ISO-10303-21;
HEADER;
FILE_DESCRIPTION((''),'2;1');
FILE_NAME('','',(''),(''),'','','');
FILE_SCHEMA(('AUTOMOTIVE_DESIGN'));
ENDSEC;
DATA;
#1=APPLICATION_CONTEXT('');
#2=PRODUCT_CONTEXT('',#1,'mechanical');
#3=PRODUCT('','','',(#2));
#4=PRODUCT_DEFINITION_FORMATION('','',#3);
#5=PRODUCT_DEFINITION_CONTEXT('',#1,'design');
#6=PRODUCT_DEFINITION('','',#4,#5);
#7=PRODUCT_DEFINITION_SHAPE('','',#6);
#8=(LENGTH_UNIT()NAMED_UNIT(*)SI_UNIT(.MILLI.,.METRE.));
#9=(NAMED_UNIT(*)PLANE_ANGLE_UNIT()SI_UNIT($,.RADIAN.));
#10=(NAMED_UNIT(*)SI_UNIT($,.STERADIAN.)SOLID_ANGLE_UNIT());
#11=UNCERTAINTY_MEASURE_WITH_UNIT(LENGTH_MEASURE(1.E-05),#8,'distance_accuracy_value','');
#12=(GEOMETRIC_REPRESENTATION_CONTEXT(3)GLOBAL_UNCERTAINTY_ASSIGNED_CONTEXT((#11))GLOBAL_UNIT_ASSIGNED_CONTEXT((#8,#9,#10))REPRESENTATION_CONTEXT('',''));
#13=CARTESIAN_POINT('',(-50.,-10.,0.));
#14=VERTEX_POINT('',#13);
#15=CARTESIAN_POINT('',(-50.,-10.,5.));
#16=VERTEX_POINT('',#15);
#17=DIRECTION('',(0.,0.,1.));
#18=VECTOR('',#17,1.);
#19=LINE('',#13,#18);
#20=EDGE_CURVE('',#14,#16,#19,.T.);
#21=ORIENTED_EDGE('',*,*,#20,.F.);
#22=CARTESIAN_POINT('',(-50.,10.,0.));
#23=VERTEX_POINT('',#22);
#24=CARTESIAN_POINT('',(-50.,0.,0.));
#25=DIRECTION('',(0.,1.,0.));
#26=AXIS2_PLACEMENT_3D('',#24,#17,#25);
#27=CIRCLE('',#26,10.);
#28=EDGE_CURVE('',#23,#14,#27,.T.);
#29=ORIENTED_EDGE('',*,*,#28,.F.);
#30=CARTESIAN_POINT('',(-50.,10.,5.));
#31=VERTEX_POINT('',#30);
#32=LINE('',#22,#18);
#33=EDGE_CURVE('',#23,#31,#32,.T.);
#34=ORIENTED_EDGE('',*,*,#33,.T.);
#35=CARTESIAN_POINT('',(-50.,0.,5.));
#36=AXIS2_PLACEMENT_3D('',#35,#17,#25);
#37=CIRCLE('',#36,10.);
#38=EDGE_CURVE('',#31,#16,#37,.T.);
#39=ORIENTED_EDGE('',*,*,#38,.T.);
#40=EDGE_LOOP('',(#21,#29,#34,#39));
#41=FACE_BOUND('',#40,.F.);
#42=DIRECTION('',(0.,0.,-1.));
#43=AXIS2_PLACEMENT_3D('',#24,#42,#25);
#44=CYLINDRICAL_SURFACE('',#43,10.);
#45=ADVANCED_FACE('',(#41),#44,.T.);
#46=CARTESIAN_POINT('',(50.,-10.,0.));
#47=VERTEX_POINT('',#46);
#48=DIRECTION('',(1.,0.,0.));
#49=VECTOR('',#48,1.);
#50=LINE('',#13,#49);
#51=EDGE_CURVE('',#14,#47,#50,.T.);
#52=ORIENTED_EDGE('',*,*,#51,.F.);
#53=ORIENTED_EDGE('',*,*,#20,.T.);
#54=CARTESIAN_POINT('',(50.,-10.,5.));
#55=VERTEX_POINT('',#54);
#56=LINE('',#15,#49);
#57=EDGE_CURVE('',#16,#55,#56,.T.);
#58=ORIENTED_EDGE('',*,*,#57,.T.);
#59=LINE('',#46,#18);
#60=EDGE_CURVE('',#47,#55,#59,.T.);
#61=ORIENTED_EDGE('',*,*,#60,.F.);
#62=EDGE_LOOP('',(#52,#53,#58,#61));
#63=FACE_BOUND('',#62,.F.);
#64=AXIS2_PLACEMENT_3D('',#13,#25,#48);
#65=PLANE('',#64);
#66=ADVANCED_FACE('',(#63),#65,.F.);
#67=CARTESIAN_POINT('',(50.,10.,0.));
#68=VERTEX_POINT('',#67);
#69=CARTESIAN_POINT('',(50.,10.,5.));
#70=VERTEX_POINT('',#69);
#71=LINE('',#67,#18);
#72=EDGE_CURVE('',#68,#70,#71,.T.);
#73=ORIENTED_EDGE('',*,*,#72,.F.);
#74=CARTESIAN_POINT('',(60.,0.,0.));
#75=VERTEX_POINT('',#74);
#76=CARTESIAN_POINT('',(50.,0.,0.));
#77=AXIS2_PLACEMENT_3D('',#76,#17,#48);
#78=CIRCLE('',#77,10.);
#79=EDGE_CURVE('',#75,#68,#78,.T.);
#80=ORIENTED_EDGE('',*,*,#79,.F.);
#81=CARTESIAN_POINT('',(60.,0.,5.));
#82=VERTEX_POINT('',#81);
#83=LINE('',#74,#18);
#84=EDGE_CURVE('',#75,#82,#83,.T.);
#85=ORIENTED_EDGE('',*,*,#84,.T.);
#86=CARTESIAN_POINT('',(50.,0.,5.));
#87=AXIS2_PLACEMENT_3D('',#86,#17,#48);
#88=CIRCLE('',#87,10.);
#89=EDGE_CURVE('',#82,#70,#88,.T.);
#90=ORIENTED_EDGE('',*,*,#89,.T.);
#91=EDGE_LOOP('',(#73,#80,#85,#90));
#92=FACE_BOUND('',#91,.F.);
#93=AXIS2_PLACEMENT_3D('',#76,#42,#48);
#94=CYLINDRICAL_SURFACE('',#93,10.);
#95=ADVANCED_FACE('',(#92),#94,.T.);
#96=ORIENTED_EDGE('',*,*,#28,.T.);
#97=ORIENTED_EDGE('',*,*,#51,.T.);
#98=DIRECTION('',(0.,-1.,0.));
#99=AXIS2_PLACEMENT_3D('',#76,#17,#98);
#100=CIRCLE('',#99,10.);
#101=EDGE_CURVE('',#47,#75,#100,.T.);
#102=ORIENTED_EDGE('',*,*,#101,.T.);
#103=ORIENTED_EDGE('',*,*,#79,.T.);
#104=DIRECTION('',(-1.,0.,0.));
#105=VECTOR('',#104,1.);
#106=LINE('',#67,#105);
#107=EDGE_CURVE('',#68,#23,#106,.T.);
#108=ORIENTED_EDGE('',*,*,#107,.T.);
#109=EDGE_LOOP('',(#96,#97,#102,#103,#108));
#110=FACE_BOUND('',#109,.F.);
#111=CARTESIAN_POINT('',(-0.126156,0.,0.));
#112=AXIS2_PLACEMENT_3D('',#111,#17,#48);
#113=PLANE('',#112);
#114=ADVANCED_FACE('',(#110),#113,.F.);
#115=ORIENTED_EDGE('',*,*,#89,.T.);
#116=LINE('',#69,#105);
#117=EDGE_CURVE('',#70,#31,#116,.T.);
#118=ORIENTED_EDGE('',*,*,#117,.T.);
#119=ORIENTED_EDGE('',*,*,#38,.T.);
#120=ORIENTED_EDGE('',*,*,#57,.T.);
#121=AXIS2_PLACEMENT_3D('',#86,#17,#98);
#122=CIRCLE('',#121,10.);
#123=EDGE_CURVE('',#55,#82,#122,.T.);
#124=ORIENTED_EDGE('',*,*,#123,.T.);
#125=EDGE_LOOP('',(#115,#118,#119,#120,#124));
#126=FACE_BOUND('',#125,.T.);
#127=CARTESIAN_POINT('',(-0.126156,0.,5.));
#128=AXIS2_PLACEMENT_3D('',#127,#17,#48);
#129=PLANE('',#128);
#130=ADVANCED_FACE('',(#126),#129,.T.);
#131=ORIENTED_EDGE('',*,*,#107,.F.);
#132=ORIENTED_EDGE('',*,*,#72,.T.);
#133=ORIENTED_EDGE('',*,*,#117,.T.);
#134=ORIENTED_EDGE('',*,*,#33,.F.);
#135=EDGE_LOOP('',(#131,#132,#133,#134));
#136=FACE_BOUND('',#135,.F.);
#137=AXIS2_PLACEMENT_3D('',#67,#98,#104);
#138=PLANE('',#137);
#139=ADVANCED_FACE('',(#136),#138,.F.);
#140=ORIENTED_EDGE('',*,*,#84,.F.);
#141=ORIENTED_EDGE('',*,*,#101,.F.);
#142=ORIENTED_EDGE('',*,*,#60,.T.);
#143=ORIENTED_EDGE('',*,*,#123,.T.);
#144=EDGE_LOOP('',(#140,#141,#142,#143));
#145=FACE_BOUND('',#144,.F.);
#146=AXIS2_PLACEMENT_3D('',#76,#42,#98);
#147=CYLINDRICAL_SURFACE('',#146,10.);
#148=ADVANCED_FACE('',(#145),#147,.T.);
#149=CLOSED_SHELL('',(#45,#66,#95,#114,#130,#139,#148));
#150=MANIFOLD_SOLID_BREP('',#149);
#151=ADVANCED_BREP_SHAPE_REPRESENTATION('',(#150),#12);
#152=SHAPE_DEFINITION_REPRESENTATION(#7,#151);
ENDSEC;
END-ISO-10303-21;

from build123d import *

# Parameters (mm, degrees)
F1_DEPTH = 5


with BuildPart() as f1:
    # F0 (on Top) → F1 (new body)
    with BuildSketch(Plane.XY):
        with BuildLine():
            ThreePointArc((50, -10), (40, 0), (50, 10))
            Line((50, 10), (-50, 10))
            ThreePointArc((-50, 10), (-42.9289321881, 7.0710678119), (-40, 0))
            ThreePointArc((-40, 0), (-42.9289321881, -7.0710678119), (-50, -10))
            Line((-50, -10), (50, -10))
        make_face()
        with BuildLine():
            ThreePointArc((60, 0), (57.0710678119, 7.0710678119), (50, 10))
            Line((50, 10), (50, -10))
            ThreePointArc((50, -10), (57.0710678119, -7.0710678119), (60, 0))
        make_face()
        with BuildLine():
            Line((50, -10), (50, 10))
            ThreePointArc((50, 10), (40, 0), (50, -10))
        make_face()
        with BuildLine():
            ThreePointArc((-40, 0), (-42.9289321881, 7.0710678119), (-50, 10))
            Line((-50, 10), (-50, -10))
            ThreePointArc((-50, -10), (-42.9289321881, -7.0710678119), (-40, 0))
        make_face()
        with BuildLine():
            Line((-50, -10), (-50, 10))
            ThreePointArc((-50, 10), (-60, 0), (-50, -10))
        make_face()
    extrude(amount=F1_DEPTH)


solid = f1.part
